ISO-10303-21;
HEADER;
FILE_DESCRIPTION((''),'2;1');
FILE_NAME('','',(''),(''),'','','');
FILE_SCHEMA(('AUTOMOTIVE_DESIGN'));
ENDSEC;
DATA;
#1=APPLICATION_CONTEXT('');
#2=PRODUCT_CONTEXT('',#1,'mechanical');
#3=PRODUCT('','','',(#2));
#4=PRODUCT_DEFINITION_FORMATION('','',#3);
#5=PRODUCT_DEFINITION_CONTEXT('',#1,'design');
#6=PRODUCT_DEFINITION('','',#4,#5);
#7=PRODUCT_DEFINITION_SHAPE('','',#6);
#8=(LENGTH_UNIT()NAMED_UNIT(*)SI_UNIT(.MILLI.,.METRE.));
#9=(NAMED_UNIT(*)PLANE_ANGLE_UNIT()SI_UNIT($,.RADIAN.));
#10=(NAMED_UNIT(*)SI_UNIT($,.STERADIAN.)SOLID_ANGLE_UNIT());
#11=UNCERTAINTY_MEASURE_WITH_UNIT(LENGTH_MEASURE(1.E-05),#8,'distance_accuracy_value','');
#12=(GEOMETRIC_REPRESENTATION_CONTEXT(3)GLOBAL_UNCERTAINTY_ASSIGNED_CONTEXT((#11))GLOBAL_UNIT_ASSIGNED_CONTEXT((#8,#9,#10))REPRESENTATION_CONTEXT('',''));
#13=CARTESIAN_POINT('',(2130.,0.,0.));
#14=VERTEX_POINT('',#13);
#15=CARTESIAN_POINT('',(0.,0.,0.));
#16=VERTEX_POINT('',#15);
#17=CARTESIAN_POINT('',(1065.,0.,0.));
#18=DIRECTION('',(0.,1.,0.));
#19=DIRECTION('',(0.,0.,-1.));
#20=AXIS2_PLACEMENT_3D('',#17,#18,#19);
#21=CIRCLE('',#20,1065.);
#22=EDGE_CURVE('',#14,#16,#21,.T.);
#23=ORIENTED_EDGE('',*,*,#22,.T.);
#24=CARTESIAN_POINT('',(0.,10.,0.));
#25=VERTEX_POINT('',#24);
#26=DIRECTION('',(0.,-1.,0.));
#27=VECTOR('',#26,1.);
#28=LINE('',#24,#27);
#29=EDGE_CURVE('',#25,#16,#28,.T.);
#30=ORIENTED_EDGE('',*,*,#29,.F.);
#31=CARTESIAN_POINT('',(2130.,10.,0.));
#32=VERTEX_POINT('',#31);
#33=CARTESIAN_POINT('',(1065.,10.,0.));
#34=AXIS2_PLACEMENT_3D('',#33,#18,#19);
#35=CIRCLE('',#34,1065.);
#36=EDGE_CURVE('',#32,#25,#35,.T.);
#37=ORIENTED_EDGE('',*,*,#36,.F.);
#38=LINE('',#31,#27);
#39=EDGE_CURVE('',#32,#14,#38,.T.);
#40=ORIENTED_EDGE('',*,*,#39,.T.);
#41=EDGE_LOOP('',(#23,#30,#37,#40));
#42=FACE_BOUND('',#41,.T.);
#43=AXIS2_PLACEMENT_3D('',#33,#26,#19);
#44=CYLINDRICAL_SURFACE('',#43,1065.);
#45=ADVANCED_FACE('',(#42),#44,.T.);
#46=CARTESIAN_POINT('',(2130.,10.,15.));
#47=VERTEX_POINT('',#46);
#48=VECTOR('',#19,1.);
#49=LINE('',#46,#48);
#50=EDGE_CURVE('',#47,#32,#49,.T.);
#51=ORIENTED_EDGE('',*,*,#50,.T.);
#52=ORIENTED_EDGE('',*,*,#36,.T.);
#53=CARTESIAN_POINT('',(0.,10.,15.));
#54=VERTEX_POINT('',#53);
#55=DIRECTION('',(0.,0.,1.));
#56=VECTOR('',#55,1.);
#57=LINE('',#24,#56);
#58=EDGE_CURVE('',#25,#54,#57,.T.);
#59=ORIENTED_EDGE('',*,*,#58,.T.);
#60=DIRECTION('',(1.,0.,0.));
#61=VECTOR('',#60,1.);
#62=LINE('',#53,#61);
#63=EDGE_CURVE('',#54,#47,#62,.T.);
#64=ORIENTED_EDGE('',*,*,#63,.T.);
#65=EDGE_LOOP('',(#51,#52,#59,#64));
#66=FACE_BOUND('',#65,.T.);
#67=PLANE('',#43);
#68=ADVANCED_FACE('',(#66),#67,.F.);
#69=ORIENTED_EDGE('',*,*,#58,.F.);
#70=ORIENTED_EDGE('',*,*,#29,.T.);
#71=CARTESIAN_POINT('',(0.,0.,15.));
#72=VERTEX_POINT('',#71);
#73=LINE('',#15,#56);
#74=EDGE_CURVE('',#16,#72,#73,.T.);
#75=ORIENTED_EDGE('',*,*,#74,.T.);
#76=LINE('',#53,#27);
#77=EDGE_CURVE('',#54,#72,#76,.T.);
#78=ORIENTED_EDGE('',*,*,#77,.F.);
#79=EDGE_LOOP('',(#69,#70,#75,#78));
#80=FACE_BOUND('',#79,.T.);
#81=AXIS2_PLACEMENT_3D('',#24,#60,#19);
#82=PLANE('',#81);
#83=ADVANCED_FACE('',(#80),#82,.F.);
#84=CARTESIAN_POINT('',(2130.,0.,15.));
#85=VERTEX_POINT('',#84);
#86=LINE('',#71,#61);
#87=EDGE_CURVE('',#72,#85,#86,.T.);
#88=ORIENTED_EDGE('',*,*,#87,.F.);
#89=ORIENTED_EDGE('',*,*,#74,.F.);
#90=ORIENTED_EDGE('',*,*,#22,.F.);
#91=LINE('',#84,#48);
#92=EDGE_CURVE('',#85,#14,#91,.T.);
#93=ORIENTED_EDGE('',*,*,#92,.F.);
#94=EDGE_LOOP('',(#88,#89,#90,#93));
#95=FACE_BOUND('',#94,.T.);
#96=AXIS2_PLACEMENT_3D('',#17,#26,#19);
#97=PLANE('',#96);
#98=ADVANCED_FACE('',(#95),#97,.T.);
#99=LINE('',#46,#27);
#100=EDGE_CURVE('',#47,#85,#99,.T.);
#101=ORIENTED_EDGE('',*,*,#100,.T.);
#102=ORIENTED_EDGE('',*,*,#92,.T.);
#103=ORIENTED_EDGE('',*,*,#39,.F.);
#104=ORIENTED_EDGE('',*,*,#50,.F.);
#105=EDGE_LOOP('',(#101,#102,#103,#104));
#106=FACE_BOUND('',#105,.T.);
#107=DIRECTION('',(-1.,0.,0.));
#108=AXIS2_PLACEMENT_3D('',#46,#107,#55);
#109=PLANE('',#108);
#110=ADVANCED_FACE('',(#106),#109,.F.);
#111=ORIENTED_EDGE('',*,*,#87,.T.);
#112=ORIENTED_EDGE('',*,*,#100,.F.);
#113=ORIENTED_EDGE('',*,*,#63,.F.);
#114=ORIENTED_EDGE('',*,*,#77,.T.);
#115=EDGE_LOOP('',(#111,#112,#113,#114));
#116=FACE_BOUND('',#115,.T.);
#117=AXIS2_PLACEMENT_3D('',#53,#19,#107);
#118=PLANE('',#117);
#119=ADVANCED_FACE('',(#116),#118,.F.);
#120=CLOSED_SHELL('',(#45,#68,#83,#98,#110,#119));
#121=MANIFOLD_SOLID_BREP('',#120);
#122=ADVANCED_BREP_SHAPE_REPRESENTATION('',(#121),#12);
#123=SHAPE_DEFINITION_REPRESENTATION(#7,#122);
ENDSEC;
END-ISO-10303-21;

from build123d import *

# Parameters (mm, degrees)
BOSS_EXTRUDE1_DEPTH = 10


with BuildPart() as part:
    # Sketch1 → Boss-Extrude1 (new body)
    with BuildSketch(Plane(origin=(0, 0, 0), x_dir=(1, 0, 0), z_dir=(0, 1, 0))):
        with BuildLine():
            Line((0, 0), (0, -15))
            Line((0, -15), (2130, -15))
            Line((2130, -15), (2130, 0))
            ThreePointArc((2130, 0), (1065, 1065), (0, 0))
        make_face()
    extrude(amount=BOSS_EXTRUDE1_DEPTH)


solid = part.part
